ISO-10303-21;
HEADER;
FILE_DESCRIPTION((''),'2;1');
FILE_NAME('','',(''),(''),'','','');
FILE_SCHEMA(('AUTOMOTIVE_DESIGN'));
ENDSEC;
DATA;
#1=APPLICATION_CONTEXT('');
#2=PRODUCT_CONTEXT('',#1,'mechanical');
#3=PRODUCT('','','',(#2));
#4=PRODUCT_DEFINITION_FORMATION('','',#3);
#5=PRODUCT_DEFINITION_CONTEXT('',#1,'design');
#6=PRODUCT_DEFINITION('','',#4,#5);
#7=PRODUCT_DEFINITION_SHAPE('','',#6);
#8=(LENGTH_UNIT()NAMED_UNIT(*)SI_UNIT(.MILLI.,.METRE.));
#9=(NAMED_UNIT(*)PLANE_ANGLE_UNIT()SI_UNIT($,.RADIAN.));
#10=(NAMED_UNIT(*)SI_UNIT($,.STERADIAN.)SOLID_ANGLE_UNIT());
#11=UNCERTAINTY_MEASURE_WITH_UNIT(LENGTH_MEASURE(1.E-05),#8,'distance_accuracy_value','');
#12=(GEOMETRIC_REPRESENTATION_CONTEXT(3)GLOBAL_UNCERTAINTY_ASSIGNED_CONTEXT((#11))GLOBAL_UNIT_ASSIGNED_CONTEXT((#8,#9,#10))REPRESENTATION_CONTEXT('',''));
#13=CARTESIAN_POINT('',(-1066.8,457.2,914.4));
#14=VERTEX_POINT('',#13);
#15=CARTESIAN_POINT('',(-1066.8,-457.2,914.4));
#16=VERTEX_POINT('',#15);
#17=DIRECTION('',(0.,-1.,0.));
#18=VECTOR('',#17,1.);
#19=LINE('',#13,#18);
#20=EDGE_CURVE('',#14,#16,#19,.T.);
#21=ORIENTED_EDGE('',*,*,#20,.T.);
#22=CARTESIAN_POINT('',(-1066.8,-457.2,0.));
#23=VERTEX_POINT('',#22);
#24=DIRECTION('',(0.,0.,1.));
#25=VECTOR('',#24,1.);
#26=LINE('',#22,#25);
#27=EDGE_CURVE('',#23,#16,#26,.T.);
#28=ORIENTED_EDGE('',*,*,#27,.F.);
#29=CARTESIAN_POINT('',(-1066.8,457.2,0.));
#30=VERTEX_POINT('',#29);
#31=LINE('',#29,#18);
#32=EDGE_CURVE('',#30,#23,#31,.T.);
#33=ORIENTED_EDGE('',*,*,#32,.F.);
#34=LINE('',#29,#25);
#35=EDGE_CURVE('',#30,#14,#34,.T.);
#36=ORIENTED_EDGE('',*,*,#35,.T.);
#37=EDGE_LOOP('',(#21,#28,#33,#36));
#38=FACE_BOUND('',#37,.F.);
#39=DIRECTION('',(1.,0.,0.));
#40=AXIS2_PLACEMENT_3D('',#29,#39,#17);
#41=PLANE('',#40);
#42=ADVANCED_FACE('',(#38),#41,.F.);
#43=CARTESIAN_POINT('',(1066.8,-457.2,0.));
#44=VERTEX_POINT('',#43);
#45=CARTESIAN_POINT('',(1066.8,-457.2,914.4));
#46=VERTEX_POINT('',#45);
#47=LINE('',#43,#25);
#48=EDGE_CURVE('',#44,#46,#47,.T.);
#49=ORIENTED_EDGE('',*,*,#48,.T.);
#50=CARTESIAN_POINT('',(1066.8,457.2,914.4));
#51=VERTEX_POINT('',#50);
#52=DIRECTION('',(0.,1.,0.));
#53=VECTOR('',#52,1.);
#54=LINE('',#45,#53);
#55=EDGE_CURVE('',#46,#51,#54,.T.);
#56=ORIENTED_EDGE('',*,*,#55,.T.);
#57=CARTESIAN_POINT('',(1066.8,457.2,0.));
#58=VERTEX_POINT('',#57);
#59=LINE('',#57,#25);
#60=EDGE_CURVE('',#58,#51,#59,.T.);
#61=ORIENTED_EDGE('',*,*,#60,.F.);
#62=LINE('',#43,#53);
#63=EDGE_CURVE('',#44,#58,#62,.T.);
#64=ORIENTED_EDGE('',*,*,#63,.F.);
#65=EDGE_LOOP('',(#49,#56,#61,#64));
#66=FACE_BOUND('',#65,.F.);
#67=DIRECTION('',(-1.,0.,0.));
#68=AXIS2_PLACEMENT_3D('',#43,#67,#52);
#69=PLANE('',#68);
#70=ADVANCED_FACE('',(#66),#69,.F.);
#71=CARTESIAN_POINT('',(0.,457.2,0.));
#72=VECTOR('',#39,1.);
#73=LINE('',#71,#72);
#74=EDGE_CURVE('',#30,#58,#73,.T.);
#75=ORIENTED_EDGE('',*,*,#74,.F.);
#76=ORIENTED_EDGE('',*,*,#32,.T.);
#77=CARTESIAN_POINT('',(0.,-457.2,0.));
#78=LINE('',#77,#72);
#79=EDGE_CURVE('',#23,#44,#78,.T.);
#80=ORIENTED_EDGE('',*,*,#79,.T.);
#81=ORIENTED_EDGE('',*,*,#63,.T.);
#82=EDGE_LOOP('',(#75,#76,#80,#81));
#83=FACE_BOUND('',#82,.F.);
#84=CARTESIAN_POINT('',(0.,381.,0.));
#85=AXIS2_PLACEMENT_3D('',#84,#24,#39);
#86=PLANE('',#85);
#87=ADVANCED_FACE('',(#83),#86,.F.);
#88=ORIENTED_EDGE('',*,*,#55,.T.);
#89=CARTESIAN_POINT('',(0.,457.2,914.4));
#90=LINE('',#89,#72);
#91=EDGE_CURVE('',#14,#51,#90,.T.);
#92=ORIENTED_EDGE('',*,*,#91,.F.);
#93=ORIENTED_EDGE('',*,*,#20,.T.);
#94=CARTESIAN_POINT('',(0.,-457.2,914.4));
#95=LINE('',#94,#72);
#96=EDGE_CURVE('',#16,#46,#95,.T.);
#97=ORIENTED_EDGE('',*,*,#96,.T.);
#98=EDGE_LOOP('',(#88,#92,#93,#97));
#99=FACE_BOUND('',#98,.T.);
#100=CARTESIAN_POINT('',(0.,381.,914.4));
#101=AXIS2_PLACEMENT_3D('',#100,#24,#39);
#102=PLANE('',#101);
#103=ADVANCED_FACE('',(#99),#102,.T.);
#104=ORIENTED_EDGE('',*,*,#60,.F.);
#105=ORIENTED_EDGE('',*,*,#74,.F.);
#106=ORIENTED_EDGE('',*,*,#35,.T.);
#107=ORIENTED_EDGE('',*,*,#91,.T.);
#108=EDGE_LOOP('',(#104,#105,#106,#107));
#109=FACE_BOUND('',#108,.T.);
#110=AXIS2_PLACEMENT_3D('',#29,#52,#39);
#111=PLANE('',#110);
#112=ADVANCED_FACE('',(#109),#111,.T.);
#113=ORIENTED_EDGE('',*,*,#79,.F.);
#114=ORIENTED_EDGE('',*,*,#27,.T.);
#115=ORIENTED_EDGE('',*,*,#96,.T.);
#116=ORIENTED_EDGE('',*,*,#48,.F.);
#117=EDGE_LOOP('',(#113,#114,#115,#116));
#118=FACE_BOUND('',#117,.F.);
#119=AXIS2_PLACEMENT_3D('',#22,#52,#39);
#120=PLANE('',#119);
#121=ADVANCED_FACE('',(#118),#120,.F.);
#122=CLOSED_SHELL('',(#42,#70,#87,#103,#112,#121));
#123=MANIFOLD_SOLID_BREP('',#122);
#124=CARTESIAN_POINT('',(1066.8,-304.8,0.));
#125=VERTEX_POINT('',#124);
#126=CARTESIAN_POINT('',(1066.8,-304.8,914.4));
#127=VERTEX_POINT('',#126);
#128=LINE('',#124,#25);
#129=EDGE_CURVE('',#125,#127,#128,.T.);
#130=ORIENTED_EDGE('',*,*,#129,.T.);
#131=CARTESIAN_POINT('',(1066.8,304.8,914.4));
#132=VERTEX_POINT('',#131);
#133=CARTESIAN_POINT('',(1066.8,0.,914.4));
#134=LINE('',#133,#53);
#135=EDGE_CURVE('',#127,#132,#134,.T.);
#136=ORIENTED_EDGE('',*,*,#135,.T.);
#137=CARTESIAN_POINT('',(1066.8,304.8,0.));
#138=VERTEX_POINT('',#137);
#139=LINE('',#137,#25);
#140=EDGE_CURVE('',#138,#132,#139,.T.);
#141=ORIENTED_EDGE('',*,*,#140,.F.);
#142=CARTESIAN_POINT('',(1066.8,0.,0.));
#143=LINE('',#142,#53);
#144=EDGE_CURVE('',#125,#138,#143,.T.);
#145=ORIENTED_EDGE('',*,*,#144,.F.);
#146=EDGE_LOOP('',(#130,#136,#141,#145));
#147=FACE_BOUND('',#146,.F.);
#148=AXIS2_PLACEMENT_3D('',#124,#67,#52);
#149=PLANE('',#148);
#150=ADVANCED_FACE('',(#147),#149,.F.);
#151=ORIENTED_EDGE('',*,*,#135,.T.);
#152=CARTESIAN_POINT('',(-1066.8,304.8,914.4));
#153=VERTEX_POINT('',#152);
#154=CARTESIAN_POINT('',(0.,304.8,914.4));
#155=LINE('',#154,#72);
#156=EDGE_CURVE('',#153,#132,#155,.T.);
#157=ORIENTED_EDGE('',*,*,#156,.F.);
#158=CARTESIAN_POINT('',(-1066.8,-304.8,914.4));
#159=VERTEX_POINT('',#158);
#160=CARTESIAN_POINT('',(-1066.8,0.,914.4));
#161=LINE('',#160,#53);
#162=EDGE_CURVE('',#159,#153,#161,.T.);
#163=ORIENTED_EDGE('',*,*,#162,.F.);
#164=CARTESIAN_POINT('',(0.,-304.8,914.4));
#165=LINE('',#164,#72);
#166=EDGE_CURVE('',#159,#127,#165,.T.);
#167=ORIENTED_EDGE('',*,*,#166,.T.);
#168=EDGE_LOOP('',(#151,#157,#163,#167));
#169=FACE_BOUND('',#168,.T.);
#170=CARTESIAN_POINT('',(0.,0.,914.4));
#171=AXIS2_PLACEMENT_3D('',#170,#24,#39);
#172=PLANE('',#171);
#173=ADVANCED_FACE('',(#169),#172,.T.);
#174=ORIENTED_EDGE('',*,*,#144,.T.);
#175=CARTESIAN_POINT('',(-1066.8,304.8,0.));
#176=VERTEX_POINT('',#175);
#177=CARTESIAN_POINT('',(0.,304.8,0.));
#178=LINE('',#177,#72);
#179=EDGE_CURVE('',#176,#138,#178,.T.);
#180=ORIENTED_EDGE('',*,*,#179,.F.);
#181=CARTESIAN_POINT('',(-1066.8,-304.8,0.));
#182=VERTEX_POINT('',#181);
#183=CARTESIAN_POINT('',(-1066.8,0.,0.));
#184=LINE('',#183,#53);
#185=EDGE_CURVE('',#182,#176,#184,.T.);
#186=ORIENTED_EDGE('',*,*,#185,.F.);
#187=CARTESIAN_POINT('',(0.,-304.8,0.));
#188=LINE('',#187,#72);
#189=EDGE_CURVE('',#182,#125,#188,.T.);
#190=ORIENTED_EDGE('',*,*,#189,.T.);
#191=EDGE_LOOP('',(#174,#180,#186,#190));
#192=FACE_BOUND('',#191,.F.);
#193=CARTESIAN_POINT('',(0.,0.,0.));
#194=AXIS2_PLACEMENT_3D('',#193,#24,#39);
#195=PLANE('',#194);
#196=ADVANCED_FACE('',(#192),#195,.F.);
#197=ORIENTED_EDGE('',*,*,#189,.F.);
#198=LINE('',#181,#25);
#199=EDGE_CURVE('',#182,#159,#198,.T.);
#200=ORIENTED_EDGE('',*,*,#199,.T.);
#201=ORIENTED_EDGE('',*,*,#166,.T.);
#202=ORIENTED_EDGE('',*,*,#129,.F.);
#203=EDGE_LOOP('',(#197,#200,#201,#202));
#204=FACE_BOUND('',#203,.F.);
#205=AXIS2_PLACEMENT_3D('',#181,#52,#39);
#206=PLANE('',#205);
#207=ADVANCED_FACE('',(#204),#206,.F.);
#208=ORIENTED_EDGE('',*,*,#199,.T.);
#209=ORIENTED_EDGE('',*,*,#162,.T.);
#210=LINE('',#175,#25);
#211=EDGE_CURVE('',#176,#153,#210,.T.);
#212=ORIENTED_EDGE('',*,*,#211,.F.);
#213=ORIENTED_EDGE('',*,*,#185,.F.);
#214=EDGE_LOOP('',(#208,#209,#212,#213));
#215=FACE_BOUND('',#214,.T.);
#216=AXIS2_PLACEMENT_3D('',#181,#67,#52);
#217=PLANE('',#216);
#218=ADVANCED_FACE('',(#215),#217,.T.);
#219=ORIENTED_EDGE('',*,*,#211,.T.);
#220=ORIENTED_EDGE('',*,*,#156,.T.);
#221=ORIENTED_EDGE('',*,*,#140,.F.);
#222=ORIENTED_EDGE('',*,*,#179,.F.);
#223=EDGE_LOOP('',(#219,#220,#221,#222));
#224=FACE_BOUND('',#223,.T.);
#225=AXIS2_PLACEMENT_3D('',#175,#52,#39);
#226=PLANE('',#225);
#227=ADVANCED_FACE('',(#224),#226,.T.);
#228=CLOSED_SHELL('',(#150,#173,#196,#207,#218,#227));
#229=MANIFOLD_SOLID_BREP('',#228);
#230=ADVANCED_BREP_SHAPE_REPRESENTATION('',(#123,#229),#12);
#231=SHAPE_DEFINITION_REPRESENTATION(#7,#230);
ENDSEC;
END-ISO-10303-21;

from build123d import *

# Parameters (mm, degrees)
F0_W     = 2133.6
F0_H     = 609.6
F1_DEPTH = 914.4
F0_H_2   = 152.4
F2_DEPTH = 914.4


with BuildPart() as f1:
    # F0 (on Top) → F1 (new body)
    with BuildSketch(Plane.XY):
        Rectangle(F0_W, F0_H)
    extrude(amount=F1_DEPTH)


with BuildPart() as f2:
    # F0 (on Top) → F2 (new body)
    with BuildSketch(Plane.XY):
        with Locations((0, 381)):
            Rectangle(F0_W, F0_H_2)
        Rectangle(F0_W, F0_H)
        with Locations((0, -381)):
            Rectangle(F0_W, F0_H_2)
    extrude(amount=F2_DEPTH)


solid = Compound([f1.part, f2.part])
